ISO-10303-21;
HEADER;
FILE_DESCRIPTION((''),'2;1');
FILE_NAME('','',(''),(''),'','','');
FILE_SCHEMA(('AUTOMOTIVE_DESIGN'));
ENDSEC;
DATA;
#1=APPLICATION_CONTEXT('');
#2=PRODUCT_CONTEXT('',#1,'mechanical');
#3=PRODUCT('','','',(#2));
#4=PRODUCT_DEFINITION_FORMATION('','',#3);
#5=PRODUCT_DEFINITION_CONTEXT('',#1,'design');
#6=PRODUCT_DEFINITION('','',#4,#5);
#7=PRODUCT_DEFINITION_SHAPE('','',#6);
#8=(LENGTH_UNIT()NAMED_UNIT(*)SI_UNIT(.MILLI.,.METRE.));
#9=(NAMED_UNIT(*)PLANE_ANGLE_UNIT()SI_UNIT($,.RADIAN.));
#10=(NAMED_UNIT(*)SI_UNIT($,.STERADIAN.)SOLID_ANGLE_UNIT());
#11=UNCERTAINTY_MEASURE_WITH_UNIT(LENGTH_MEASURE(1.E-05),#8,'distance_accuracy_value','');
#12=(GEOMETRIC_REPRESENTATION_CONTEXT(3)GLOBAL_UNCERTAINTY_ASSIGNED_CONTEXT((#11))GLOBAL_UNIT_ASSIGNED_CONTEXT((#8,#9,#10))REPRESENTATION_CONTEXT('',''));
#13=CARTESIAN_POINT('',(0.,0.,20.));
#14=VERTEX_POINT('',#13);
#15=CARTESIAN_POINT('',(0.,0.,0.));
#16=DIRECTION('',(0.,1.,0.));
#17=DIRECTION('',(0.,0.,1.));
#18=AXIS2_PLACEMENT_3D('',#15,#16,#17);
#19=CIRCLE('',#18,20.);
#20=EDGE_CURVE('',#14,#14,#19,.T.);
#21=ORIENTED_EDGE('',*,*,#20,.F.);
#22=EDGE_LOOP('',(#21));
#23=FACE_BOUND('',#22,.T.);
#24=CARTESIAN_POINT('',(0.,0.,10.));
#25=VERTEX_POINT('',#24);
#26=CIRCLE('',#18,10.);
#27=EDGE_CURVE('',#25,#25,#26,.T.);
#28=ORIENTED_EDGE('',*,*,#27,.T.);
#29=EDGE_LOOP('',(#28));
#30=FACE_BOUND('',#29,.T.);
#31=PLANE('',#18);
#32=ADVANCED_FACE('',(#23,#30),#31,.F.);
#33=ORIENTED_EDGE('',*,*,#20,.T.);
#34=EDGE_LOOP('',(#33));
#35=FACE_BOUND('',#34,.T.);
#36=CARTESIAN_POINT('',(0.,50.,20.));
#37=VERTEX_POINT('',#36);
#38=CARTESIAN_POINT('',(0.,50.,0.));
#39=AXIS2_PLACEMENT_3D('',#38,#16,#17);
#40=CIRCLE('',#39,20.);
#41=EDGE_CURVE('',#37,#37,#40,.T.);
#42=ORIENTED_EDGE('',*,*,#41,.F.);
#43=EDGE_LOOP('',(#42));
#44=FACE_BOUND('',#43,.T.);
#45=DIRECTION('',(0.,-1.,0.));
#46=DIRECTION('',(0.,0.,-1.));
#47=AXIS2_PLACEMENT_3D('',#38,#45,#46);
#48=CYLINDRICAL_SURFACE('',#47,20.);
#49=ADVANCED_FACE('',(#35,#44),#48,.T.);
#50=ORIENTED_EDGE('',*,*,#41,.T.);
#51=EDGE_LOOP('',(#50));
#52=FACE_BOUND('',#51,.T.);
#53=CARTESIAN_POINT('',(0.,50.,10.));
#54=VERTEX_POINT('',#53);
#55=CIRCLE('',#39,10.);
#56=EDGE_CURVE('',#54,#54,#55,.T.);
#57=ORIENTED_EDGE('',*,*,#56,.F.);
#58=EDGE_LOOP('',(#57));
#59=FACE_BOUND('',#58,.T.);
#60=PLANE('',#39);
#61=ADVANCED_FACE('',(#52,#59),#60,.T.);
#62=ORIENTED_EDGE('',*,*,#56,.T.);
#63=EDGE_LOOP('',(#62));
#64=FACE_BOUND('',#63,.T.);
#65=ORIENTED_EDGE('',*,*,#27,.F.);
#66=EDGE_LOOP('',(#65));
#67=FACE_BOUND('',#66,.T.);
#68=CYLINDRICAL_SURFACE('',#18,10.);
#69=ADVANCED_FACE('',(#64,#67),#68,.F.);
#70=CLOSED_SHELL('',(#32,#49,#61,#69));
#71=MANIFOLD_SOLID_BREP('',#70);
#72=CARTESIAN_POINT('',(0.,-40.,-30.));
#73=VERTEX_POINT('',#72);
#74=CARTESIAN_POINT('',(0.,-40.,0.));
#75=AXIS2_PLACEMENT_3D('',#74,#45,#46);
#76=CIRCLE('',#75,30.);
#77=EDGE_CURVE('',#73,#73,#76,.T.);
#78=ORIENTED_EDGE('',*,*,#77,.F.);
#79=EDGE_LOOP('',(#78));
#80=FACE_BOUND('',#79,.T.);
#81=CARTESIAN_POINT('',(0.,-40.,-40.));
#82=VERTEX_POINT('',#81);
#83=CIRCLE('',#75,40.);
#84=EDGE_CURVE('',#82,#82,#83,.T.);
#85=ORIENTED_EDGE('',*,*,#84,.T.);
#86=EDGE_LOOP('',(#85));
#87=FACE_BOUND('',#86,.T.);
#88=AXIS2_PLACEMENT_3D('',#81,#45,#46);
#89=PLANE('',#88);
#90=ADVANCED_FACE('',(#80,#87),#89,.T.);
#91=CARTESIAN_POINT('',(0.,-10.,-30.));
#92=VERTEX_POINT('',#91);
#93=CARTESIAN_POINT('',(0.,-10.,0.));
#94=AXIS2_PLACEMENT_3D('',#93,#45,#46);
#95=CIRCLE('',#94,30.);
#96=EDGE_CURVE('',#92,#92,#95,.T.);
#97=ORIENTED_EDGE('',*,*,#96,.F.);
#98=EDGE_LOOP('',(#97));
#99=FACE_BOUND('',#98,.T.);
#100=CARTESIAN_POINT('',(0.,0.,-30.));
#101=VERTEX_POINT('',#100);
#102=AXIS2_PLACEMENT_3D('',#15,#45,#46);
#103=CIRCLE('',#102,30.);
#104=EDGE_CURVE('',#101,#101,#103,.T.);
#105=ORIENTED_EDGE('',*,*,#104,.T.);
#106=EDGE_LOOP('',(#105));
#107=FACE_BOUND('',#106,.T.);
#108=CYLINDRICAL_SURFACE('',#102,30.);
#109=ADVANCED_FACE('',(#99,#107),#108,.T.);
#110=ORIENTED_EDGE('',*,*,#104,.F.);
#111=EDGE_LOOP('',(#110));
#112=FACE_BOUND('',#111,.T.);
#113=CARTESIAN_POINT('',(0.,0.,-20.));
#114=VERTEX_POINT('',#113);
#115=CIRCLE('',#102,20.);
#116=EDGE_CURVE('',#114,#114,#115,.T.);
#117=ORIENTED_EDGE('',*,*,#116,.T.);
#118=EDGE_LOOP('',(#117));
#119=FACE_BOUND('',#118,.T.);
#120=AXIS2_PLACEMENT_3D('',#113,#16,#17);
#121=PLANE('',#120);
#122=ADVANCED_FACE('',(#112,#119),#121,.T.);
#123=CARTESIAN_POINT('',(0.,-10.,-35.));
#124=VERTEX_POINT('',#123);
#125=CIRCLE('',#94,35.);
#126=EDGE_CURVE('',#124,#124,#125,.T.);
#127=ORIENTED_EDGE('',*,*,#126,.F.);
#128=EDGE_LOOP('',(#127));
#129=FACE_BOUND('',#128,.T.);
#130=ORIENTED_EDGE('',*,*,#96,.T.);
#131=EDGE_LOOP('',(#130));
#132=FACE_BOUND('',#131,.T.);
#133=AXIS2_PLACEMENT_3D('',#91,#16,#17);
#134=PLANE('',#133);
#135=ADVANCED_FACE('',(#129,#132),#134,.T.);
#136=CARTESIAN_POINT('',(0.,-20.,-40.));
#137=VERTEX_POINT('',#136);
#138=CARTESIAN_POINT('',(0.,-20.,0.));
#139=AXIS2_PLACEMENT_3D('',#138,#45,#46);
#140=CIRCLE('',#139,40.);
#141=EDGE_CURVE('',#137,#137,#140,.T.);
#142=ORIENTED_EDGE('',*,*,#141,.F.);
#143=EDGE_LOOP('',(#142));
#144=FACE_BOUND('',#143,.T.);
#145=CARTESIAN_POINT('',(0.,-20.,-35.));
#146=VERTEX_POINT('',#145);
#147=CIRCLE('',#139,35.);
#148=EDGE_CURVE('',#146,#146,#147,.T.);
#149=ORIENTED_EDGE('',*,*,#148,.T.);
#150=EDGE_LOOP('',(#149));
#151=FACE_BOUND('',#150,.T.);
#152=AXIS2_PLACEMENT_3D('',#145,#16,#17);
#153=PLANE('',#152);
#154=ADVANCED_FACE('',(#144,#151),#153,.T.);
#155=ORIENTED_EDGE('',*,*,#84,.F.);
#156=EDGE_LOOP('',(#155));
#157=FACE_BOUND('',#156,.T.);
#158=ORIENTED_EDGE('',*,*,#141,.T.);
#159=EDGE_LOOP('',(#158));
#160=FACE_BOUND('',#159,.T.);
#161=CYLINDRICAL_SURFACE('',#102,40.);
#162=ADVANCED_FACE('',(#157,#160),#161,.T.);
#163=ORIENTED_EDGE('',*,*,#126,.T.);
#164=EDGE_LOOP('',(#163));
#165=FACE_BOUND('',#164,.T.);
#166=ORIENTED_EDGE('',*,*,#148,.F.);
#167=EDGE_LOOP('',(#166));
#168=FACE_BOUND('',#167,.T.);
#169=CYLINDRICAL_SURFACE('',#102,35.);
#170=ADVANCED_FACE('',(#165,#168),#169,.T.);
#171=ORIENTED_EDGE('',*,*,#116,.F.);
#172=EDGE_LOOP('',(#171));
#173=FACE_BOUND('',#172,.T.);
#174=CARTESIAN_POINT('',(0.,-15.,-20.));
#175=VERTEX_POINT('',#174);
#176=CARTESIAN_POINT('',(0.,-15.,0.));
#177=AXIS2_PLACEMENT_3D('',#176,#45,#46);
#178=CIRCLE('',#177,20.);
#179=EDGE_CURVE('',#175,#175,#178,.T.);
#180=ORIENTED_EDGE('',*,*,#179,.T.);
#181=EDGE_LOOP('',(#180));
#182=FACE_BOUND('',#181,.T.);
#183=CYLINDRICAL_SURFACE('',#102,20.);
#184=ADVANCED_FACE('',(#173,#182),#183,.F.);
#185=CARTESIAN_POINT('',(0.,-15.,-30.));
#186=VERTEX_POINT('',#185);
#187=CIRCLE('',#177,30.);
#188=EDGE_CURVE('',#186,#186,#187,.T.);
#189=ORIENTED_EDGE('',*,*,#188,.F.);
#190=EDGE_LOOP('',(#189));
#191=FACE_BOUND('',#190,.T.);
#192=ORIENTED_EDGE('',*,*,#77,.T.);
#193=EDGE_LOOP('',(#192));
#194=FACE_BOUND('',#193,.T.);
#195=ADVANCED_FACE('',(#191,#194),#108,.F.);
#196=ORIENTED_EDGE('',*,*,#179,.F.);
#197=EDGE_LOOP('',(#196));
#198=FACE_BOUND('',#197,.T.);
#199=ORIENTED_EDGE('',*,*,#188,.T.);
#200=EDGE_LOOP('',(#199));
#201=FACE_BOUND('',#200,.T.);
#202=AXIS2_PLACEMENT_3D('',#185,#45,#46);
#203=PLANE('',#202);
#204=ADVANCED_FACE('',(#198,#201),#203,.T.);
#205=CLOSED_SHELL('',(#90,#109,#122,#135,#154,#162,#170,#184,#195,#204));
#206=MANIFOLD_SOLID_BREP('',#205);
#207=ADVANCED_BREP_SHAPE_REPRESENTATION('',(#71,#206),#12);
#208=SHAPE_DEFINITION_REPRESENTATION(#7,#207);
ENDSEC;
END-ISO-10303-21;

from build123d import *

# Parameters (mm, degrees)
SKETCH1_R           = 20
BOSS_EXTRUDE1_DEPTH = 50
SKETCH2_R           = 10
CUT_EXTRUDE1_DEPTH  = 50


with BuildPart() as part:
    # Sketch1 → Boss-Extrude1 (new body)
    with BuildSketch(Plane(origin=(0, 0, 0), x_dir=(1, 0, 0), z_dir=(0, 1, 0))):
        with Locations(Location((0, 0, 0), (0, 0, 270))):
            Circle(SKETCH1_R)
    extrude(amount=BOSS_EXTRUDE1_DEPTH)

    # Sketch2 → Cut-Extrude1 (cut)
    with BuildSketch(Plane(origin=(0, 50, 0), x_dir=(1, 0, 0), z_dir=(0, 1, 0))):
        with Locations(Location((0, 0, 0), (0, 0, 270))):
            Circle(SKETCH2_R)
    extrude(amount=-CUT_EXTRUDE1_DEPTH, mode=Mode.SUBTRACT)


with BuildPart() as body_2:
    # Sketch4 → Revolve1 (revolve)
    with BuildSketch(Plane(origin=(0, 0, 0), x_dir=(0, 0, -1), z_dir=(1, 0, 0))):
        Polygon((30, 0), (30, -10), (35, -10), (35, -20), (40, -20), (40, -40), (30, -40), (30, -15), (20, -15), (20, 0), align=None)
    revolve(axis=Axis((0, 0, 0), (0, 1, 0)))


solid = Compound([part.part, body_2.part])
